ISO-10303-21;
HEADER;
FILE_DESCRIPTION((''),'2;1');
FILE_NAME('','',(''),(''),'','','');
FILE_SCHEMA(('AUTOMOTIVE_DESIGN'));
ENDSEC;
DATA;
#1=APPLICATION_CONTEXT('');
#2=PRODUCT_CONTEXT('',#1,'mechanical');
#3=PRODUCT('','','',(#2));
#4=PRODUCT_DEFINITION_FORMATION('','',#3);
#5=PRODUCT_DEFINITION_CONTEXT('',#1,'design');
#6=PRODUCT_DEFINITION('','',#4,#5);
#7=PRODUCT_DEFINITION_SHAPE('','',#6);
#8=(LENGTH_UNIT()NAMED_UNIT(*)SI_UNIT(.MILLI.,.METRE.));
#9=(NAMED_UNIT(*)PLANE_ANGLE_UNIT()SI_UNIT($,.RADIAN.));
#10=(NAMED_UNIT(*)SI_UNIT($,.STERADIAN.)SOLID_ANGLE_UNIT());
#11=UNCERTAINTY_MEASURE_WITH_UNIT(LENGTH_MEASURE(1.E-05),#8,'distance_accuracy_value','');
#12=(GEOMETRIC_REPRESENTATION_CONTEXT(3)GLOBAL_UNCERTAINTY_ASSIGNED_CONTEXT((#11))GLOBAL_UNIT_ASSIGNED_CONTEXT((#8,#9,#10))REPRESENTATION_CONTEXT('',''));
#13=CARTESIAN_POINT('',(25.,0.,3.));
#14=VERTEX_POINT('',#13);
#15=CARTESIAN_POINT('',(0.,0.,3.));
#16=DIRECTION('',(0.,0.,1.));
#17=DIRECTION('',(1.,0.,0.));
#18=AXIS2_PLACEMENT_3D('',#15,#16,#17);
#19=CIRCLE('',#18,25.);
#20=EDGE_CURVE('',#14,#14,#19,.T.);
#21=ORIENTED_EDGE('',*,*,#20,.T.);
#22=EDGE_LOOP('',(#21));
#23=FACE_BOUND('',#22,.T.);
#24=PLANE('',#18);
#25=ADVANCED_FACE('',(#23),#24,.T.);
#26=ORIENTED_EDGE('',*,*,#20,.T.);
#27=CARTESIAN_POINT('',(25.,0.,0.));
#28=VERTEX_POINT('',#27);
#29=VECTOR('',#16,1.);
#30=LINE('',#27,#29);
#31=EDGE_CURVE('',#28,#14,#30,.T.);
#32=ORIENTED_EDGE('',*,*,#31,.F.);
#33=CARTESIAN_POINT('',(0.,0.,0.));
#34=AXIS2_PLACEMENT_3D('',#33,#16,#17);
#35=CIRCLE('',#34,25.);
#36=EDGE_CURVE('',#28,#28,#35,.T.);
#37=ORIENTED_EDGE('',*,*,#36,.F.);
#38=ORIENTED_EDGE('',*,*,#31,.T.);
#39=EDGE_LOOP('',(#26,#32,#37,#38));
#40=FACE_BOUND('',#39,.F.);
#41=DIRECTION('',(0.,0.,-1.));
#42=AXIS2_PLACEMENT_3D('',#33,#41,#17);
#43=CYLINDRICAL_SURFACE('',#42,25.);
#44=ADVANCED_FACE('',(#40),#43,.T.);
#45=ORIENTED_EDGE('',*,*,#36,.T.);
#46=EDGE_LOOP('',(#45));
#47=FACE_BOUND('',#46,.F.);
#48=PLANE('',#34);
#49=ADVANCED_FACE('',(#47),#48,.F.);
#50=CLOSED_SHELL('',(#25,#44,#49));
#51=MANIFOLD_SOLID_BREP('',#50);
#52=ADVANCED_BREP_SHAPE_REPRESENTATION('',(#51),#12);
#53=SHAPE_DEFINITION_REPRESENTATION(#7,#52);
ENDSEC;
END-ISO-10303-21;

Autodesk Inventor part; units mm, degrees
ref_plane "YZ Plane" through (0, 0, 0) normal (1, 0, 0) x (0, 1, 0)
ref_plane "XZ Plane" through (0, 0, 0) normal (0, 1, 0) x (-1, 0, 0)
ref_plane "XY Plane" through (0, 0, 0) normal (0, 0, 1) x (1, 0, 0)
sketch "Sketch1" plane through (0, 0, 0) normal (0, 0, 1) x (1, 0, 0)
  circle A0 centre (0, 0) radius 25
  dimension "d7" = 50
extrude "Plate1" add sketch "Sketch1" along normal blind 3
feature "Corner Round2" [suppressed]
equation "\"d2\" = Thickness"
equation "\"BendReliefWidth\" = Thickness"
equation "\"BendReliefDepth\" = 0.5 * Thickness"
equation "\"CornerReliefSize\" = 4 * Thickness"
equation "\"MinimumRemnant\" = 2 * Thickness"
equation "\"TransitionRadius\" = BendRadius"
equation "\"JacobiRadiusSize\" = BendRadius"
equation "\"GapSize\" = Thickness"
equation "\"Thickness\" = 3"
equation "\"BendRadius\" = 5"
properties part number "GNH 082 leg plate" material "Stainless Steel"
